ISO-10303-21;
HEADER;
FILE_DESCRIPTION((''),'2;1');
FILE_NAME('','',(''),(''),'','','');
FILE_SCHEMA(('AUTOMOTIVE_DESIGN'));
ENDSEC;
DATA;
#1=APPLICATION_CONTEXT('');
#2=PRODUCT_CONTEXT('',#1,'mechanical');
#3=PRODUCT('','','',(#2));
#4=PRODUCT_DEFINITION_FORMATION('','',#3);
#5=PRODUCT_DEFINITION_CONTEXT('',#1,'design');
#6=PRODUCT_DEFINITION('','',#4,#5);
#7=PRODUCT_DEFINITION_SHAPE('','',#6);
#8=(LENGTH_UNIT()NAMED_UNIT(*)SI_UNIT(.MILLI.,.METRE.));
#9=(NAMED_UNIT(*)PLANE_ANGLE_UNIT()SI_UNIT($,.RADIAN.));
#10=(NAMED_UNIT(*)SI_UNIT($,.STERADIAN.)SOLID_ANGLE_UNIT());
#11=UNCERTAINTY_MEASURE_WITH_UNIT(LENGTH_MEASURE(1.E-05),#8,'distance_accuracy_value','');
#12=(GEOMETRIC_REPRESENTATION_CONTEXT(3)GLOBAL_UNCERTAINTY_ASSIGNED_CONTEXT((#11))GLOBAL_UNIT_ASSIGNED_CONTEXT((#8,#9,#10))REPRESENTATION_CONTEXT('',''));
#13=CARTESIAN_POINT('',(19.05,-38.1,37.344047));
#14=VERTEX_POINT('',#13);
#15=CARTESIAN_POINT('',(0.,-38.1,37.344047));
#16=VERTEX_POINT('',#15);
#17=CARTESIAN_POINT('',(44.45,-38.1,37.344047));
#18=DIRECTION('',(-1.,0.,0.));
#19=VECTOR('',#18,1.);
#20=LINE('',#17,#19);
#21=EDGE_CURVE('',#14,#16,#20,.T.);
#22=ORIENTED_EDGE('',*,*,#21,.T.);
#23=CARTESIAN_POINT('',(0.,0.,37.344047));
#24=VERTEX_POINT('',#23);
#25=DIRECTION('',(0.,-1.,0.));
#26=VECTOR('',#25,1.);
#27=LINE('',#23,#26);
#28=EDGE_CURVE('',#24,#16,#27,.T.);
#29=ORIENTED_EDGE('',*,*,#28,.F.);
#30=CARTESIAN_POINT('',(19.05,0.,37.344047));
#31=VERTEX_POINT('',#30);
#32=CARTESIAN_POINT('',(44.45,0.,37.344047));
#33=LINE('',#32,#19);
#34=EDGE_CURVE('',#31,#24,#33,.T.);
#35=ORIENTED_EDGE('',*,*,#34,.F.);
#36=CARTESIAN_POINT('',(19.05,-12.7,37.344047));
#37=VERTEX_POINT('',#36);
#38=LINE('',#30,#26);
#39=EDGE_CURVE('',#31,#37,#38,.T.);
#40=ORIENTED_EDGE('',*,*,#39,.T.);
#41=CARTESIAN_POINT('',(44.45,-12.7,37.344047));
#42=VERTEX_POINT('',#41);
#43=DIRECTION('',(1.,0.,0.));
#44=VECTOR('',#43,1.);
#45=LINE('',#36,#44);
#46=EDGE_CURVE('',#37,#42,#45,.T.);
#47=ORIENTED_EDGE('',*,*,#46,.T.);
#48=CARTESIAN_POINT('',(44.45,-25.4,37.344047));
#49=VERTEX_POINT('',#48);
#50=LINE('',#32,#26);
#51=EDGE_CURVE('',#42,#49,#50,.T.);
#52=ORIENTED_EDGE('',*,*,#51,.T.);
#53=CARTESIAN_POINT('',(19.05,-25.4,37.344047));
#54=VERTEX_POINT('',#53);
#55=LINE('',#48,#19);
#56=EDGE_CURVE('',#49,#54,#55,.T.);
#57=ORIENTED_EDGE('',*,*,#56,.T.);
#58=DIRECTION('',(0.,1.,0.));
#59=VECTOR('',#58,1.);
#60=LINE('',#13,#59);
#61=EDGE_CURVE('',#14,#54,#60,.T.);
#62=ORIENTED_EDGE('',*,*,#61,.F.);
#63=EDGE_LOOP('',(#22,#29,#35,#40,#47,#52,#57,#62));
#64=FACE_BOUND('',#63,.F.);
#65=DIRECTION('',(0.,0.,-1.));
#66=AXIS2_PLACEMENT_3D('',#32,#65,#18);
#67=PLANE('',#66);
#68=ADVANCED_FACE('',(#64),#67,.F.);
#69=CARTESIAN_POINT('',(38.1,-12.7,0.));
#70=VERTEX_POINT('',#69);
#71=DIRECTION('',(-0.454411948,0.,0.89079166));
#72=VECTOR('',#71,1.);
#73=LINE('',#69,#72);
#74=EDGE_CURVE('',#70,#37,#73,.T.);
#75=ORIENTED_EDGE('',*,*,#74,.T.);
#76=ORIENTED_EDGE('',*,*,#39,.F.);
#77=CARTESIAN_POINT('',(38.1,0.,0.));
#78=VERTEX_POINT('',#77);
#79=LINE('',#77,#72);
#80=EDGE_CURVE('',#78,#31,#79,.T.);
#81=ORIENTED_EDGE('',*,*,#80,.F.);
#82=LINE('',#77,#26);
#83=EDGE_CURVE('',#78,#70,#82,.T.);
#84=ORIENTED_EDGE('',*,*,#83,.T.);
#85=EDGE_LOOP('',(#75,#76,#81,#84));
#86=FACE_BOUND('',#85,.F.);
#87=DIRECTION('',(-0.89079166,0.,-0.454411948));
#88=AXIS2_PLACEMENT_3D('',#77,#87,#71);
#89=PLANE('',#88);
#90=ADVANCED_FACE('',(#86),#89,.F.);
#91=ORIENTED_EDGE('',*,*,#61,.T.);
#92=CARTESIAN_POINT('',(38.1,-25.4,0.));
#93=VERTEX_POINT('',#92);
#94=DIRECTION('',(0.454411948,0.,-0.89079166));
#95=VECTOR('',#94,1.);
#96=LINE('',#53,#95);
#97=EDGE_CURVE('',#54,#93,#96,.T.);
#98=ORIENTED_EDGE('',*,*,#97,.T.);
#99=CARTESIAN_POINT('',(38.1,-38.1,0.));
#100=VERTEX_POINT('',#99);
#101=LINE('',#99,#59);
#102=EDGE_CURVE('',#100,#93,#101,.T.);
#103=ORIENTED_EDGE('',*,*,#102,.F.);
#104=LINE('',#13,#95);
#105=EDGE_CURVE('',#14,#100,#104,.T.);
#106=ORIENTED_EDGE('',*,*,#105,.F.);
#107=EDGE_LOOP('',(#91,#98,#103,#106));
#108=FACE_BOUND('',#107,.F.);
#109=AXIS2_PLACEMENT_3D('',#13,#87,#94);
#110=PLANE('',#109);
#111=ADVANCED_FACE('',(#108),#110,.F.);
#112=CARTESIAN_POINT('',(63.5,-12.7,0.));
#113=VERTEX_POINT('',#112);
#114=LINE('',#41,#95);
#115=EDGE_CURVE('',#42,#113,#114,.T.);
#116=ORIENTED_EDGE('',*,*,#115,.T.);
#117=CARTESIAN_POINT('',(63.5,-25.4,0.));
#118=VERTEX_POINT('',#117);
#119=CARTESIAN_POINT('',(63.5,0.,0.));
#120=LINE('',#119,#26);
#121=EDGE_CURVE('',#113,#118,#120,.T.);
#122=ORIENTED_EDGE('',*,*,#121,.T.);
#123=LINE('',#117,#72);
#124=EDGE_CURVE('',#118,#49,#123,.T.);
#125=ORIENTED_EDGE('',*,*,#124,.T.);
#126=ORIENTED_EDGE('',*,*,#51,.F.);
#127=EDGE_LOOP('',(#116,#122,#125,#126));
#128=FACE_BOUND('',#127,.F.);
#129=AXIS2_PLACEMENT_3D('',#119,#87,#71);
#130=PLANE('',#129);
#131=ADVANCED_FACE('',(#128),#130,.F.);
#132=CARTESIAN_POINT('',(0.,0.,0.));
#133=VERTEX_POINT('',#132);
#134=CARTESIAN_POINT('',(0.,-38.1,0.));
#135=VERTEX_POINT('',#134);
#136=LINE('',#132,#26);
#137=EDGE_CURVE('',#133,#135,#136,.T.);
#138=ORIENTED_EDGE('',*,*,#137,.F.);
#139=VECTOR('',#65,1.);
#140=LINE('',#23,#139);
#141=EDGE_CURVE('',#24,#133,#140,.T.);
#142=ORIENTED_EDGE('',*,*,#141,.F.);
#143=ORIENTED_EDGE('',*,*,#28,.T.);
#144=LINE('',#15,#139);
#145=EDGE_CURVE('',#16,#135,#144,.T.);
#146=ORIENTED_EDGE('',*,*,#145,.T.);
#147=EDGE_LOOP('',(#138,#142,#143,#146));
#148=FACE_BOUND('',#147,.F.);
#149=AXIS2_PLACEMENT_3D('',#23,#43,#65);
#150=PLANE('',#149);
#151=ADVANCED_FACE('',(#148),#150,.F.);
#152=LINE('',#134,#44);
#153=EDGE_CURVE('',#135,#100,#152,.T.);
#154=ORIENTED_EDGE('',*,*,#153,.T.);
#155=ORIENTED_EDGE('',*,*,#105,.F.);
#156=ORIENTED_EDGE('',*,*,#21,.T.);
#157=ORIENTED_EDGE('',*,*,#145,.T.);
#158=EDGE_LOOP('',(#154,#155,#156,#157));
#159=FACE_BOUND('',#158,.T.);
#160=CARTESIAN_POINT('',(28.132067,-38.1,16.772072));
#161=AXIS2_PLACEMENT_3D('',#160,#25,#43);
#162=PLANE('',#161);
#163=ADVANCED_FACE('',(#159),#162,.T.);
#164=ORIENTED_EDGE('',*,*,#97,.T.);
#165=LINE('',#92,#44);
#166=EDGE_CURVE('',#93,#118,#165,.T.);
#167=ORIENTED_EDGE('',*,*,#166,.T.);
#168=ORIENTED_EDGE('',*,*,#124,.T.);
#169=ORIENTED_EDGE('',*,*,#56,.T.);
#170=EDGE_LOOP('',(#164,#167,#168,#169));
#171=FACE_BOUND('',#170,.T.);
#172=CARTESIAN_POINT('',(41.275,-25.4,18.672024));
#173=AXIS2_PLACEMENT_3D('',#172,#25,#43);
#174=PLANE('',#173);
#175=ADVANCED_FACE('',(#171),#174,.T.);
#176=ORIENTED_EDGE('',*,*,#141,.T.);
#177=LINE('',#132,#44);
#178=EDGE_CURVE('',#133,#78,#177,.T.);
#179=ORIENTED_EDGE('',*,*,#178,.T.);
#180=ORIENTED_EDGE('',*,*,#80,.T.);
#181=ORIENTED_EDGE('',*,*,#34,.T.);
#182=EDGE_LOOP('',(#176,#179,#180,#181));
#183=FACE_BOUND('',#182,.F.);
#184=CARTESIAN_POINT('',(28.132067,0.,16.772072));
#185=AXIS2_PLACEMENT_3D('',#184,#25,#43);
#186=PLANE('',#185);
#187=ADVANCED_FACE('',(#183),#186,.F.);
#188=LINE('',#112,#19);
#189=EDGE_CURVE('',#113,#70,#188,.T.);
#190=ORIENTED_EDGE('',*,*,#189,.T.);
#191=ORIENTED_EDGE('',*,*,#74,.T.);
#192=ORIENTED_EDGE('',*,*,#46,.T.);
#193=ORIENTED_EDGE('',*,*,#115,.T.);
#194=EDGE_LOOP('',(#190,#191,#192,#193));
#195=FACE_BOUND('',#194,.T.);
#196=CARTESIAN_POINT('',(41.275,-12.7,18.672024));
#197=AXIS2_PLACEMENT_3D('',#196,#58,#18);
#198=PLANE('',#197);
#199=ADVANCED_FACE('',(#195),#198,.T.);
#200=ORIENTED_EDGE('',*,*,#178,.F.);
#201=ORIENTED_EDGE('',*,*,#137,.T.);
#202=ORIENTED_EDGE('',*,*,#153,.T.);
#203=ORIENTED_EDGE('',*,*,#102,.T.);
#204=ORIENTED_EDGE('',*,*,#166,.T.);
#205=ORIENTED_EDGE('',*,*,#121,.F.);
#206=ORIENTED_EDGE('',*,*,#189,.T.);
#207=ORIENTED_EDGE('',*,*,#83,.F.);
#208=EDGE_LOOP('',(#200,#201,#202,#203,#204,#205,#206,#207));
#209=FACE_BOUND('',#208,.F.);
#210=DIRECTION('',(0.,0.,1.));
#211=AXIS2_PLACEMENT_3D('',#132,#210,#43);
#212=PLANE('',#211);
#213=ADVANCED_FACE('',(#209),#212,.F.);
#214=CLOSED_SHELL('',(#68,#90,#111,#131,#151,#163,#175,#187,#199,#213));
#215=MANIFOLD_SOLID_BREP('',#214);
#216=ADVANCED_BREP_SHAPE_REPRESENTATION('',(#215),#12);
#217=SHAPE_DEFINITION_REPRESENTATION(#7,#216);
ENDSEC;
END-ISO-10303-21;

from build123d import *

# Parameters (mm, degrees)
F1_DEPTH = 38.1
F3_DEPTH = 12.7
F5_DEPTH = 12.7


with BuildPart() as f1:
    # F0 (on Front) → F1 (new body)
    with BuildSketch(Plane.XZ):
        Polygon((0, 37.344047), (0, 0), (63.5, 0), (44.45, 37.344047), align=None)
    extrude(amount=F1_DEPTH)

    # F2 (on face) → F3 (cut)
    with BuildSketch(Plane.XZ.offset(38.1)):
        Polygon((44.45, 37.344047), (19.05, 37.344047), (38.1, 0), (63.5, 0), align=None)
    extrude(amount=-F3_DEPTH, mode=Mode.SUBTRACT)

    # F4 (on face) → F5 (cut)
    with BuildSketch(Plane(origin=(0, 0, 0), x_dir=(-1, 0, 0), z_dir=(0, 1, 0))):
        Polygon((-38.1, 0), (-19.05, 37.344047), (-44.45, 37.344047), (-63.5, 0), align=None)
    extrude(amount=-F5_DEPTH, mode=Mode.SUBTRACT)


solid = f1.part
